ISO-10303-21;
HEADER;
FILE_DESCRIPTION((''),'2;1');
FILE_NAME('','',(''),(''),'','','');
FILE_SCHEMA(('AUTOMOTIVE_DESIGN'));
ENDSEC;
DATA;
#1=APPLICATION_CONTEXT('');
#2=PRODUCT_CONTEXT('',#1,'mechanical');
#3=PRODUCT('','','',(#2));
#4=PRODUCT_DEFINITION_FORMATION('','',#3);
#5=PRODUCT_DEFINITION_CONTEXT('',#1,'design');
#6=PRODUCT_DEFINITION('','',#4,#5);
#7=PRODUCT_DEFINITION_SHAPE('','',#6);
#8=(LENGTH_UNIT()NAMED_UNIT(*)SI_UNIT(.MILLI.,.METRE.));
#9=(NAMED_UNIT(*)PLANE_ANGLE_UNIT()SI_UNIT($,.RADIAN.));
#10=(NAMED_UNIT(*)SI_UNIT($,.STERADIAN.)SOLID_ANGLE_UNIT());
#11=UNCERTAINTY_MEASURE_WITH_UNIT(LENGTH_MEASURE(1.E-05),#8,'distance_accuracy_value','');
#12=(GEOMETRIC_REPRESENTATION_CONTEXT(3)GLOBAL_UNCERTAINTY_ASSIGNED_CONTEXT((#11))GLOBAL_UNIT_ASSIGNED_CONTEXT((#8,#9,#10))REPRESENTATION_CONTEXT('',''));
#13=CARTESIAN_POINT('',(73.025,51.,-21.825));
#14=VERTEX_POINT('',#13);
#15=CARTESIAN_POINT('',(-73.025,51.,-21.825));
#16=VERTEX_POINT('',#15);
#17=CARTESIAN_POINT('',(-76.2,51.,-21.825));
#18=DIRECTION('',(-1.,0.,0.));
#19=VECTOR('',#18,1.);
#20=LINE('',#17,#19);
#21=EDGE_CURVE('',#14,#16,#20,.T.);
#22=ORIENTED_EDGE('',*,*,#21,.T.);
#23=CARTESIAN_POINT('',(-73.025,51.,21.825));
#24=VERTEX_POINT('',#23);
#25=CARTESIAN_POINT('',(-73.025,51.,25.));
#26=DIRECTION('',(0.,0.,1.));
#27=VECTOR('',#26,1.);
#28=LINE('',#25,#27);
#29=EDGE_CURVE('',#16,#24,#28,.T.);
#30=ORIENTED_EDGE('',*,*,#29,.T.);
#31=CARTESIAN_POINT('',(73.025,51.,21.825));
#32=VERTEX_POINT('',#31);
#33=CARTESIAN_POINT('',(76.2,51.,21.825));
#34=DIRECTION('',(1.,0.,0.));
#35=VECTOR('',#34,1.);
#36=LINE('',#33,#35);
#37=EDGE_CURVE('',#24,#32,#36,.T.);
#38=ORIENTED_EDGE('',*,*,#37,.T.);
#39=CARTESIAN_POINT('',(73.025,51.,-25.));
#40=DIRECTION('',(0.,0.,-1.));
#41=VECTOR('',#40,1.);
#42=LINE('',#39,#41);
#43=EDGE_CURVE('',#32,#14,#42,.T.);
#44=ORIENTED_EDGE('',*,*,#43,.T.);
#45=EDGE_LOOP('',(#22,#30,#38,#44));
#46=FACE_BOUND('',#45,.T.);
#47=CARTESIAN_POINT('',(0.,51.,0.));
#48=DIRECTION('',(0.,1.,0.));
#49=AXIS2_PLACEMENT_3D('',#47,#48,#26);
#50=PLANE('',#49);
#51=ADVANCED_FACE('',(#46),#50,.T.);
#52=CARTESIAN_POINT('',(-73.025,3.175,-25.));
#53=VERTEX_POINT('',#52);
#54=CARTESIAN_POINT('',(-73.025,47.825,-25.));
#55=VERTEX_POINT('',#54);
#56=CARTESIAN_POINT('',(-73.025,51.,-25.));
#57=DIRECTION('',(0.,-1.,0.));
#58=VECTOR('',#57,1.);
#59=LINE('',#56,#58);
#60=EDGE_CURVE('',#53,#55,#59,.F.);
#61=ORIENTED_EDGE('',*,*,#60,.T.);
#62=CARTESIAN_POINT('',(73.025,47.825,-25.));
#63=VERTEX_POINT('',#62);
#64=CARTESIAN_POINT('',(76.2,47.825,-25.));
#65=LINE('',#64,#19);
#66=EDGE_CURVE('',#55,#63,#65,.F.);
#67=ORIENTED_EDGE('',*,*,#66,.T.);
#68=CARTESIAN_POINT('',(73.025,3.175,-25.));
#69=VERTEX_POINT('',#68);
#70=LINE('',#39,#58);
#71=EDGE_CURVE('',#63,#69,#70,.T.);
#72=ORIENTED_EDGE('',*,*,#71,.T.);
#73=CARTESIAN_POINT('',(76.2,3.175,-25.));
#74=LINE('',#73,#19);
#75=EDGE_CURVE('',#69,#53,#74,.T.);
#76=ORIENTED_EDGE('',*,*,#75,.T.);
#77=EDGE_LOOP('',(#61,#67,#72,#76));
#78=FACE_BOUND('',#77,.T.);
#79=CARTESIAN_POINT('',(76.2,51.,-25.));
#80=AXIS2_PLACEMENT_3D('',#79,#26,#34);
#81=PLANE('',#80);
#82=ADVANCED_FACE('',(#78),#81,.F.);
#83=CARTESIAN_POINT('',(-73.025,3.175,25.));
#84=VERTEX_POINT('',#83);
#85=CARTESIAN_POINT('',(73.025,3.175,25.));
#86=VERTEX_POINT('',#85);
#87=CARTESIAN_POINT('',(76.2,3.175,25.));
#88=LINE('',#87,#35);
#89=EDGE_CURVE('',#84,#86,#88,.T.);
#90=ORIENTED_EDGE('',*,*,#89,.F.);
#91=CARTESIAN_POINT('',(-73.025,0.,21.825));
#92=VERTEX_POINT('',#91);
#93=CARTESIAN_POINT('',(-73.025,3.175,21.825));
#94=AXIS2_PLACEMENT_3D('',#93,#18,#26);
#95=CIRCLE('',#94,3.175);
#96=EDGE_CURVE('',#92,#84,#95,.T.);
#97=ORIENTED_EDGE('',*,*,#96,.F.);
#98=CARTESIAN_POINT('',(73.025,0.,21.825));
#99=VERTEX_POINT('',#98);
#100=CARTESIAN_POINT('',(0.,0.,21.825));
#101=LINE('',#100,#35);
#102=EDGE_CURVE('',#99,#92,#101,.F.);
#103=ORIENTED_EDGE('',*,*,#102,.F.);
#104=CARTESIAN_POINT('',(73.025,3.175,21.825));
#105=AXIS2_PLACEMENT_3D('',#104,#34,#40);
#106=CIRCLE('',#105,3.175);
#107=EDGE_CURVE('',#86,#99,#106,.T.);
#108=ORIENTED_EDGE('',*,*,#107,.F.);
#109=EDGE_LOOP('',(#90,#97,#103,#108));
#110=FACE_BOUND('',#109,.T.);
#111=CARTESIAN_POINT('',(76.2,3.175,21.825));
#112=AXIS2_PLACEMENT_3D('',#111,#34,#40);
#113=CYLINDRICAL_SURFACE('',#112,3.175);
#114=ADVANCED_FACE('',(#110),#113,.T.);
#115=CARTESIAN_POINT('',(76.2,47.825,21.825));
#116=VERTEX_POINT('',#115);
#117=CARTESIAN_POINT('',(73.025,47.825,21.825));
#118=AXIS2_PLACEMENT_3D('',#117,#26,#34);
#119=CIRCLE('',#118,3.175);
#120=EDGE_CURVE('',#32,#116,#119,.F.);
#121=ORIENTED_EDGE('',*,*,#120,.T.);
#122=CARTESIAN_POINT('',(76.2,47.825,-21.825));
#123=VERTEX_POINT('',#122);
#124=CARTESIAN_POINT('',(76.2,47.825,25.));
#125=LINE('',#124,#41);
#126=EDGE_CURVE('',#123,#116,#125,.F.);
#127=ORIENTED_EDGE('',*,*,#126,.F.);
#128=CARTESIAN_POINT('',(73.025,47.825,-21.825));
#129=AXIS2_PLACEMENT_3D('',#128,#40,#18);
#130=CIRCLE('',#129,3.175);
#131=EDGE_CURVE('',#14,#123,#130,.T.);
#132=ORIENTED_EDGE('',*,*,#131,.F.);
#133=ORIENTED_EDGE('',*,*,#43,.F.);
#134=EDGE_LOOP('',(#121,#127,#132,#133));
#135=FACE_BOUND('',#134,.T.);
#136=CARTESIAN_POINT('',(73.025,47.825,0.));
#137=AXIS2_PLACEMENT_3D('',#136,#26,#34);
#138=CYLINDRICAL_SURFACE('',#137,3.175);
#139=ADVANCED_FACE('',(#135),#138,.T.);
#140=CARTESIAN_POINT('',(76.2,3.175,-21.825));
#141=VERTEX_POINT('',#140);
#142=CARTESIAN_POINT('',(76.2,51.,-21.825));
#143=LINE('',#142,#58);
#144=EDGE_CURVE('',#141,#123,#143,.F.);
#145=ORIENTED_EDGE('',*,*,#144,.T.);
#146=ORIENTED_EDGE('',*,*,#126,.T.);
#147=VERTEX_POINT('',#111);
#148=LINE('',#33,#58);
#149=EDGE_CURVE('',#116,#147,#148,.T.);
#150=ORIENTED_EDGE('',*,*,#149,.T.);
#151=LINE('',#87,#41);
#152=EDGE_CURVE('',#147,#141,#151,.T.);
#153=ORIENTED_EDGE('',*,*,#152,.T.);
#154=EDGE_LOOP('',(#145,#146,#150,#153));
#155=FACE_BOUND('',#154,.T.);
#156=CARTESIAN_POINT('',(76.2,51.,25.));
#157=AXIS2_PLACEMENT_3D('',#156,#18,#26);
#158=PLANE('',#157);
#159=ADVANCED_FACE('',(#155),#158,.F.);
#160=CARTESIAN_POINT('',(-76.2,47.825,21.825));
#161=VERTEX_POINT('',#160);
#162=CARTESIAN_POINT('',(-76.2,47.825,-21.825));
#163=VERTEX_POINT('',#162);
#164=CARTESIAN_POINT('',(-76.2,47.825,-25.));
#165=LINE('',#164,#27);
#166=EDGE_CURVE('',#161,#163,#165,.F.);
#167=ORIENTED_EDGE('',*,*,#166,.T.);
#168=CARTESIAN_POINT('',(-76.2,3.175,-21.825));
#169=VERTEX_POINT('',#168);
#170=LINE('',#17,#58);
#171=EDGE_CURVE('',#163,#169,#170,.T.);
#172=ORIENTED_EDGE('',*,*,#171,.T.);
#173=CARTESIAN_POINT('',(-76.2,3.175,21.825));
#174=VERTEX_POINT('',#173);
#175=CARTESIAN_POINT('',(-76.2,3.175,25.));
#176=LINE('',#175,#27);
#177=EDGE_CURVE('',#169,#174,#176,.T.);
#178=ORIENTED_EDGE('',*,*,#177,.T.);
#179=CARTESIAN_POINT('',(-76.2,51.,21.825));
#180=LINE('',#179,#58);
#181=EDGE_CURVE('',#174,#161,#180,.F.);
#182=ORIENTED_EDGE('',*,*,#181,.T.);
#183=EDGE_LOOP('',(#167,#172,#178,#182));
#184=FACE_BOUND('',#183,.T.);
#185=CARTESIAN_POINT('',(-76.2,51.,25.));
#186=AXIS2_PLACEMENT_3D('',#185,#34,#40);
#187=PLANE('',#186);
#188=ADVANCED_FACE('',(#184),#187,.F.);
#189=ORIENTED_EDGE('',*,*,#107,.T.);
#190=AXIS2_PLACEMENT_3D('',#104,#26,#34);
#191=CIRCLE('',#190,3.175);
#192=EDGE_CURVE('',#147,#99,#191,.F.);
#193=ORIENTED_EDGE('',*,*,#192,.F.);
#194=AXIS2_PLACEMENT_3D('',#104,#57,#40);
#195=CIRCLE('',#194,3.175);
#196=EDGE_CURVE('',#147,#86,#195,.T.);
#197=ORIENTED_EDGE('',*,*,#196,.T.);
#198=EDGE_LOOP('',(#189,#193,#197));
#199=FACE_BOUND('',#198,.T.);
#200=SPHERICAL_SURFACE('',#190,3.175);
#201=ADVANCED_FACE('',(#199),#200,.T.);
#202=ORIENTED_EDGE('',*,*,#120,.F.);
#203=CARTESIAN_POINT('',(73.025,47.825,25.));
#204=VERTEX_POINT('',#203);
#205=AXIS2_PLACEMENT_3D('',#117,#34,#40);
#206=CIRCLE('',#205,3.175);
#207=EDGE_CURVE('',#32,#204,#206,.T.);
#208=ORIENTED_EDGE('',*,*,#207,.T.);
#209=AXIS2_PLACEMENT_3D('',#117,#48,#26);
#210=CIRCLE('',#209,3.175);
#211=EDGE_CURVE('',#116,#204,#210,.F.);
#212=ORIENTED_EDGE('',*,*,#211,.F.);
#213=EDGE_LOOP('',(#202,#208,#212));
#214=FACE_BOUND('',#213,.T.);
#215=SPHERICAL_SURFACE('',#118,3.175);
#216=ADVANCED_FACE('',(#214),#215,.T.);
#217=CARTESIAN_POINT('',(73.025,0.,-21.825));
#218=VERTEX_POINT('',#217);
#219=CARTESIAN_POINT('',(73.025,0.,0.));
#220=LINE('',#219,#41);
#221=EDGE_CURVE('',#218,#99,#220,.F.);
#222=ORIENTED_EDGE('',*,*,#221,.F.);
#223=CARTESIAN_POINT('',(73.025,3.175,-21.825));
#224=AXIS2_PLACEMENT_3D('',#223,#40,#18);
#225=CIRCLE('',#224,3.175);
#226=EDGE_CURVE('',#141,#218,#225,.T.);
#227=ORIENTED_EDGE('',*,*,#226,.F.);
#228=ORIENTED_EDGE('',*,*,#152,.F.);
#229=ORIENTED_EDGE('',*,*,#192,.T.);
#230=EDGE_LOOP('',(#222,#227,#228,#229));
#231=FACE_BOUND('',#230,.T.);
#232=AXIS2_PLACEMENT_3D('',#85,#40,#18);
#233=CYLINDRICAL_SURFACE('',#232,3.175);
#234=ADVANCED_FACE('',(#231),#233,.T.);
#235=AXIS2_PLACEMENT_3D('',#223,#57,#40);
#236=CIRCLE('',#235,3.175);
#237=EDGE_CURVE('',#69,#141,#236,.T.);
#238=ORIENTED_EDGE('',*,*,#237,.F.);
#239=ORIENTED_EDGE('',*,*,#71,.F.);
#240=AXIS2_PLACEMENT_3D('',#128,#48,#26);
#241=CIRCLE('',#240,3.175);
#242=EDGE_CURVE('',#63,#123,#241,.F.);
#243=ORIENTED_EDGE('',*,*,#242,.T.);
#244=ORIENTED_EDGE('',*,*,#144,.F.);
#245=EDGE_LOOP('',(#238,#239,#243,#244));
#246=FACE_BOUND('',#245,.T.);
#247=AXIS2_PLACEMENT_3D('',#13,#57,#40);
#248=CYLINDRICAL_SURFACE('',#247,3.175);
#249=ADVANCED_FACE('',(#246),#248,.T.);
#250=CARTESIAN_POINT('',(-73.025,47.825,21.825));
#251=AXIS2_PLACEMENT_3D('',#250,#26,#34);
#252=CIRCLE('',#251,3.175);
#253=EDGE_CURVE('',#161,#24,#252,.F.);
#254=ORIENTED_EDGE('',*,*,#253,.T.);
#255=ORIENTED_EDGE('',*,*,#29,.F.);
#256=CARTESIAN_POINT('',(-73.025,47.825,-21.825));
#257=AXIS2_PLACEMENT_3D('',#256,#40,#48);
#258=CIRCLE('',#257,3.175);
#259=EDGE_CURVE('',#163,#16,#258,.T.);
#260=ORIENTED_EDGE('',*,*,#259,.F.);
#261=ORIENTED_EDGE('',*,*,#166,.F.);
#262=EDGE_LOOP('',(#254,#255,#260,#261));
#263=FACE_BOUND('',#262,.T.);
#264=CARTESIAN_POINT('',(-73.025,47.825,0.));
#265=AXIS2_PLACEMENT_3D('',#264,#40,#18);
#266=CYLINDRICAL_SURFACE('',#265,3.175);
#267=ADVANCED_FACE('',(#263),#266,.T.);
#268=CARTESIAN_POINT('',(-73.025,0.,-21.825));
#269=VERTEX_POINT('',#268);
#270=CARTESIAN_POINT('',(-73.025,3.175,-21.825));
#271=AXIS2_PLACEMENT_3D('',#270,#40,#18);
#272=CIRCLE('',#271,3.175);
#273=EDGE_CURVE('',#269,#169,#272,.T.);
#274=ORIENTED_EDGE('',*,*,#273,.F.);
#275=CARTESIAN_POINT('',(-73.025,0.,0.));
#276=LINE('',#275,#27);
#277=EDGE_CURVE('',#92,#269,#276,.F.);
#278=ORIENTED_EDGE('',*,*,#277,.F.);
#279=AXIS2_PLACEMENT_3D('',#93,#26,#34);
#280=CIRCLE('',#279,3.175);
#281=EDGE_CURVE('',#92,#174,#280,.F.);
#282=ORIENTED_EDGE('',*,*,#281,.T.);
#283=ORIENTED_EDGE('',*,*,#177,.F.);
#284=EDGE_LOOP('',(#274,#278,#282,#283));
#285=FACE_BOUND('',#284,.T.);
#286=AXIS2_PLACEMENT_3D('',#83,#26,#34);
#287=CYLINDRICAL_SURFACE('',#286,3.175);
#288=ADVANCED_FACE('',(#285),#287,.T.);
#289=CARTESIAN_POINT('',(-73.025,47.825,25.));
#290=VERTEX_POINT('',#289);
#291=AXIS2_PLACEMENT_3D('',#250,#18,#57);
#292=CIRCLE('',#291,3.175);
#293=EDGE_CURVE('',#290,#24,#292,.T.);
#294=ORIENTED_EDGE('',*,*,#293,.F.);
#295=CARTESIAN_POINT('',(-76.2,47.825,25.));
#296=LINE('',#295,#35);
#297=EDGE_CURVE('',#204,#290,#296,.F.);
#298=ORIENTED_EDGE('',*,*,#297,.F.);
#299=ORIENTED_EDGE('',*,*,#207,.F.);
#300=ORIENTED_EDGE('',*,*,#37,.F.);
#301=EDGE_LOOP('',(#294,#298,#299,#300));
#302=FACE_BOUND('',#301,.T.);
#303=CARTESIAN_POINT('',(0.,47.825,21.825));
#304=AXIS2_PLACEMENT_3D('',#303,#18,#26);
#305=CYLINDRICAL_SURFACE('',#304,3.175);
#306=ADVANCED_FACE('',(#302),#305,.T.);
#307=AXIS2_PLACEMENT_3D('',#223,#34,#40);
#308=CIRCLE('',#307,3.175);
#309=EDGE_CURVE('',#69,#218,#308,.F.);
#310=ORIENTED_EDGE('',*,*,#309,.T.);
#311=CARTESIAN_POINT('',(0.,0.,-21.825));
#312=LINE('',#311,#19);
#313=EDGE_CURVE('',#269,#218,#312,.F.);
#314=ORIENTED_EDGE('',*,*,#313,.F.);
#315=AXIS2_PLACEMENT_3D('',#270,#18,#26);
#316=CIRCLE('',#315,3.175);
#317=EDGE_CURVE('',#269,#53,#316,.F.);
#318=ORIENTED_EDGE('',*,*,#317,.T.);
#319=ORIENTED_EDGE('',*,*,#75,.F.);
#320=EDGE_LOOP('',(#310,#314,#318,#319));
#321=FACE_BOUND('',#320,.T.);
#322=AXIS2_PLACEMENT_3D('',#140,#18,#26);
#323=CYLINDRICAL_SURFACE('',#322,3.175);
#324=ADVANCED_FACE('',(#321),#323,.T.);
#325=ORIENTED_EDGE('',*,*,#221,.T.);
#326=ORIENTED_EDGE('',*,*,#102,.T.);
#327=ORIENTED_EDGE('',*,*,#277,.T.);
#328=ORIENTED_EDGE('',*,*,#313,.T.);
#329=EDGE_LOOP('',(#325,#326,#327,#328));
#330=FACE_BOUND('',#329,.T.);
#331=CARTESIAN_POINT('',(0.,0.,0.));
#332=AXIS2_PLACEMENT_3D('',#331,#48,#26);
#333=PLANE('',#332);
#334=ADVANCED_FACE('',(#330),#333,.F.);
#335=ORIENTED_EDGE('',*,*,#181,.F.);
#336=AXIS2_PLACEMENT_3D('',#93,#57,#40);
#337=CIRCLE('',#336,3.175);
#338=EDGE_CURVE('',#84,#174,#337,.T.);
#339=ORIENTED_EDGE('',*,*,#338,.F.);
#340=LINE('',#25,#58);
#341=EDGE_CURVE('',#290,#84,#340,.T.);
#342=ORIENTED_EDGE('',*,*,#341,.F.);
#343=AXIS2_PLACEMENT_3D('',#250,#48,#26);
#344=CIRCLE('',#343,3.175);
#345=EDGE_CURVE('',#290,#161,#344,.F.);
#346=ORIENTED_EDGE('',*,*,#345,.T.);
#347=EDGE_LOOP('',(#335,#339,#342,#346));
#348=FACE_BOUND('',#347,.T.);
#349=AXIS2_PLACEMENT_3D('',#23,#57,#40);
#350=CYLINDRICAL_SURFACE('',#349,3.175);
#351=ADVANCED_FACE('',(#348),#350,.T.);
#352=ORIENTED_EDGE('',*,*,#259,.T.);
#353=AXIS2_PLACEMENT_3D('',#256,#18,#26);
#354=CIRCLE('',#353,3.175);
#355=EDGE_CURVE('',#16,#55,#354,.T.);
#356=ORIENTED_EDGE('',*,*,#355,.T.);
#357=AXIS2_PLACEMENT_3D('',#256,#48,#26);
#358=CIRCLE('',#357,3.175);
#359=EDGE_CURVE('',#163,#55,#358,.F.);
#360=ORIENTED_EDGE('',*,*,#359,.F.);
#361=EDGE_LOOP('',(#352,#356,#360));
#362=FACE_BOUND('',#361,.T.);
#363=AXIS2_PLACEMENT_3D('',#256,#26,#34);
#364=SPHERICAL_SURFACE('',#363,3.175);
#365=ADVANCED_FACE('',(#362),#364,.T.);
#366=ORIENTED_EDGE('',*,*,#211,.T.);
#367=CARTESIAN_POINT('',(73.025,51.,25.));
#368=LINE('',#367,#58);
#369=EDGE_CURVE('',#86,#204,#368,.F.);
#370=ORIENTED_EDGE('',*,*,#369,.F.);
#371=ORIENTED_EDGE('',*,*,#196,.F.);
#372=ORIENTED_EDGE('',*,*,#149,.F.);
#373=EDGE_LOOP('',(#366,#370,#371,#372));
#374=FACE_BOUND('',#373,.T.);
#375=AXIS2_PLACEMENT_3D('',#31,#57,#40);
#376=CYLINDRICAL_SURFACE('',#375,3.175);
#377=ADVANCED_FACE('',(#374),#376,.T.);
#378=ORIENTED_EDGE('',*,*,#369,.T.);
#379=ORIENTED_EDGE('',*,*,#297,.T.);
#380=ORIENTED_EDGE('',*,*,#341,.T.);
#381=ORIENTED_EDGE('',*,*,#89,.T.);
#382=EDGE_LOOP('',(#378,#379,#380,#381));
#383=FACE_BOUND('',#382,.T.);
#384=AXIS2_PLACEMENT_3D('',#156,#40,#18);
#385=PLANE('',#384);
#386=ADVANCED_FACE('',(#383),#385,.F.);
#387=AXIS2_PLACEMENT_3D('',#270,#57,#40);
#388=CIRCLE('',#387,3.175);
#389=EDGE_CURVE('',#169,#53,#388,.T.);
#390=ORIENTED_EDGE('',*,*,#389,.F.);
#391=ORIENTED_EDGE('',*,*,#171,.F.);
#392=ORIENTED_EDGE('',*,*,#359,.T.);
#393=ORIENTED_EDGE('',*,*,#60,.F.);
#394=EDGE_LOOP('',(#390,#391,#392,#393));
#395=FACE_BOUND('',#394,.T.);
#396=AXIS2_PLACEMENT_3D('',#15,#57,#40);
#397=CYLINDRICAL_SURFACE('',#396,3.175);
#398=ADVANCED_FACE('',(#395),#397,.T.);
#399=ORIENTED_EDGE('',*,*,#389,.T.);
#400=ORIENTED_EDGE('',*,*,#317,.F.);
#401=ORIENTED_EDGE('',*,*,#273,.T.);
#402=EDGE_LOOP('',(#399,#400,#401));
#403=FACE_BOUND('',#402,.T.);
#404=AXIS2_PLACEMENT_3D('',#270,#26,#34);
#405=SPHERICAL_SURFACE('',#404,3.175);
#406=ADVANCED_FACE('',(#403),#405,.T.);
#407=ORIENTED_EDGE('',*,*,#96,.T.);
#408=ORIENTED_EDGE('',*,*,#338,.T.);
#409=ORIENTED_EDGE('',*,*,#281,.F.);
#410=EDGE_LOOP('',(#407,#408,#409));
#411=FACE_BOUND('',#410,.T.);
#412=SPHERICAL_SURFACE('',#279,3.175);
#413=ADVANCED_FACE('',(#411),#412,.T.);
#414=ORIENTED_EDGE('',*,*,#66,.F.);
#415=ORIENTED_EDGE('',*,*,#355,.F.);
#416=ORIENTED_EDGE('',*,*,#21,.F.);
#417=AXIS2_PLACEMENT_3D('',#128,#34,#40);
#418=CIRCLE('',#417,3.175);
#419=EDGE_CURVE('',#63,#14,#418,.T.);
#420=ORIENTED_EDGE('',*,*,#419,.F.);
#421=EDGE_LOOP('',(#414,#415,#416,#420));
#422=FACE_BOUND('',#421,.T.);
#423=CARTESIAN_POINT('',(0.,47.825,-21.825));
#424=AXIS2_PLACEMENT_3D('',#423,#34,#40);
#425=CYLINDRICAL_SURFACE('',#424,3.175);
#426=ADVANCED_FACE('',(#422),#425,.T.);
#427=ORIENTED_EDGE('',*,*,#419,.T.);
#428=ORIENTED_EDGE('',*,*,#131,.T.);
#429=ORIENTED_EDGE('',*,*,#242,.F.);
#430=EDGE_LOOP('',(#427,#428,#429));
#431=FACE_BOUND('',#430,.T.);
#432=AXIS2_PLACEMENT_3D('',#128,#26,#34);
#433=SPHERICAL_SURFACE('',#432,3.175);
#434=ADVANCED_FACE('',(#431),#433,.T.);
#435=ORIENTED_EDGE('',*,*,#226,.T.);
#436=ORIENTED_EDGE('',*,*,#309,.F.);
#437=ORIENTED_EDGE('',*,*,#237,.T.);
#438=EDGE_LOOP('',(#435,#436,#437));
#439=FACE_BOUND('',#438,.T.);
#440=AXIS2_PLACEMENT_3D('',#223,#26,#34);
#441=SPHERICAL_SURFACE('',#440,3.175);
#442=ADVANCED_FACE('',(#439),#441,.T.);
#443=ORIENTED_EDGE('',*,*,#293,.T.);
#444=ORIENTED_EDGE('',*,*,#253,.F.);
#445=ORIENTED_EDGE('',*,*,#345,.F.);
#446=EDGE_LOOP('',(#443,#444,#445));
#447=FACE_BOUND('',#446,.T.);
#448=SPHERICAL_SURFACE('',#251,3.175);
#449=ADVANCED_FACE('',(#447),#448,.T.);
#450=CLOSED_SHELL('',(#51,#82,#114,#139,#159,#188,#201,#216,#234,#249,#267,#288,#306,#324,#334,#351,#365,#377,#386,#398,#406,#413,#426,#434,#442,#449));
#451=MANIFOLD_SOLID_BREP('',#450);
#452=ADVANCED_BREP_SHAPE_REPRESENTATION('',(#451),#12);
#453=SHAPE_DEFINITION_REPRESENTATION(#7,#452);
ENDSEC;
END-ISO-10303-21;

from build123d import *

# Parameters (mm, degrees)
SKETCH1_W           = 152.4
SKETCH1_H           = 50
BOSS_EXTRUDE1_DEPTH = 51
FILLET1_R           = 3.175


with BuildPart() as part:
    # Sketch1 → Boss-Extrude1 (new body)
    with BuildSketch(Plane(origin=(0, 0, 0), x_dir=(1, 0, 0), z_dir=(0, 1, 0))):
        Rectangle(SKETCH1_W, SKETCH1_H)
    extrude(amount=BOSS_EXTRUDE1_DEPTH)

    # Fillet1
    fillet1_edges = [part.edges().sort_by_distance(p)[0] for p in [
        (76.2, 51, 0),
        (0, 51, -25),
        (-76.2, 51, 0),
        (0, 0, -25),
        (76.2, 0, 0),
        (0, 0, 25),
        (-76.2, 0, 0),
        (0, 51, 25),
        (-76.2, 25.5, -25),
        (76.2, 25.5, -25),
        (76.2, 25.5, 25),
        (-76.2, 25.5, 25),
    ]]
    fillet(fillet1_edges, radius=FILLET1_R)


solid = part.part
